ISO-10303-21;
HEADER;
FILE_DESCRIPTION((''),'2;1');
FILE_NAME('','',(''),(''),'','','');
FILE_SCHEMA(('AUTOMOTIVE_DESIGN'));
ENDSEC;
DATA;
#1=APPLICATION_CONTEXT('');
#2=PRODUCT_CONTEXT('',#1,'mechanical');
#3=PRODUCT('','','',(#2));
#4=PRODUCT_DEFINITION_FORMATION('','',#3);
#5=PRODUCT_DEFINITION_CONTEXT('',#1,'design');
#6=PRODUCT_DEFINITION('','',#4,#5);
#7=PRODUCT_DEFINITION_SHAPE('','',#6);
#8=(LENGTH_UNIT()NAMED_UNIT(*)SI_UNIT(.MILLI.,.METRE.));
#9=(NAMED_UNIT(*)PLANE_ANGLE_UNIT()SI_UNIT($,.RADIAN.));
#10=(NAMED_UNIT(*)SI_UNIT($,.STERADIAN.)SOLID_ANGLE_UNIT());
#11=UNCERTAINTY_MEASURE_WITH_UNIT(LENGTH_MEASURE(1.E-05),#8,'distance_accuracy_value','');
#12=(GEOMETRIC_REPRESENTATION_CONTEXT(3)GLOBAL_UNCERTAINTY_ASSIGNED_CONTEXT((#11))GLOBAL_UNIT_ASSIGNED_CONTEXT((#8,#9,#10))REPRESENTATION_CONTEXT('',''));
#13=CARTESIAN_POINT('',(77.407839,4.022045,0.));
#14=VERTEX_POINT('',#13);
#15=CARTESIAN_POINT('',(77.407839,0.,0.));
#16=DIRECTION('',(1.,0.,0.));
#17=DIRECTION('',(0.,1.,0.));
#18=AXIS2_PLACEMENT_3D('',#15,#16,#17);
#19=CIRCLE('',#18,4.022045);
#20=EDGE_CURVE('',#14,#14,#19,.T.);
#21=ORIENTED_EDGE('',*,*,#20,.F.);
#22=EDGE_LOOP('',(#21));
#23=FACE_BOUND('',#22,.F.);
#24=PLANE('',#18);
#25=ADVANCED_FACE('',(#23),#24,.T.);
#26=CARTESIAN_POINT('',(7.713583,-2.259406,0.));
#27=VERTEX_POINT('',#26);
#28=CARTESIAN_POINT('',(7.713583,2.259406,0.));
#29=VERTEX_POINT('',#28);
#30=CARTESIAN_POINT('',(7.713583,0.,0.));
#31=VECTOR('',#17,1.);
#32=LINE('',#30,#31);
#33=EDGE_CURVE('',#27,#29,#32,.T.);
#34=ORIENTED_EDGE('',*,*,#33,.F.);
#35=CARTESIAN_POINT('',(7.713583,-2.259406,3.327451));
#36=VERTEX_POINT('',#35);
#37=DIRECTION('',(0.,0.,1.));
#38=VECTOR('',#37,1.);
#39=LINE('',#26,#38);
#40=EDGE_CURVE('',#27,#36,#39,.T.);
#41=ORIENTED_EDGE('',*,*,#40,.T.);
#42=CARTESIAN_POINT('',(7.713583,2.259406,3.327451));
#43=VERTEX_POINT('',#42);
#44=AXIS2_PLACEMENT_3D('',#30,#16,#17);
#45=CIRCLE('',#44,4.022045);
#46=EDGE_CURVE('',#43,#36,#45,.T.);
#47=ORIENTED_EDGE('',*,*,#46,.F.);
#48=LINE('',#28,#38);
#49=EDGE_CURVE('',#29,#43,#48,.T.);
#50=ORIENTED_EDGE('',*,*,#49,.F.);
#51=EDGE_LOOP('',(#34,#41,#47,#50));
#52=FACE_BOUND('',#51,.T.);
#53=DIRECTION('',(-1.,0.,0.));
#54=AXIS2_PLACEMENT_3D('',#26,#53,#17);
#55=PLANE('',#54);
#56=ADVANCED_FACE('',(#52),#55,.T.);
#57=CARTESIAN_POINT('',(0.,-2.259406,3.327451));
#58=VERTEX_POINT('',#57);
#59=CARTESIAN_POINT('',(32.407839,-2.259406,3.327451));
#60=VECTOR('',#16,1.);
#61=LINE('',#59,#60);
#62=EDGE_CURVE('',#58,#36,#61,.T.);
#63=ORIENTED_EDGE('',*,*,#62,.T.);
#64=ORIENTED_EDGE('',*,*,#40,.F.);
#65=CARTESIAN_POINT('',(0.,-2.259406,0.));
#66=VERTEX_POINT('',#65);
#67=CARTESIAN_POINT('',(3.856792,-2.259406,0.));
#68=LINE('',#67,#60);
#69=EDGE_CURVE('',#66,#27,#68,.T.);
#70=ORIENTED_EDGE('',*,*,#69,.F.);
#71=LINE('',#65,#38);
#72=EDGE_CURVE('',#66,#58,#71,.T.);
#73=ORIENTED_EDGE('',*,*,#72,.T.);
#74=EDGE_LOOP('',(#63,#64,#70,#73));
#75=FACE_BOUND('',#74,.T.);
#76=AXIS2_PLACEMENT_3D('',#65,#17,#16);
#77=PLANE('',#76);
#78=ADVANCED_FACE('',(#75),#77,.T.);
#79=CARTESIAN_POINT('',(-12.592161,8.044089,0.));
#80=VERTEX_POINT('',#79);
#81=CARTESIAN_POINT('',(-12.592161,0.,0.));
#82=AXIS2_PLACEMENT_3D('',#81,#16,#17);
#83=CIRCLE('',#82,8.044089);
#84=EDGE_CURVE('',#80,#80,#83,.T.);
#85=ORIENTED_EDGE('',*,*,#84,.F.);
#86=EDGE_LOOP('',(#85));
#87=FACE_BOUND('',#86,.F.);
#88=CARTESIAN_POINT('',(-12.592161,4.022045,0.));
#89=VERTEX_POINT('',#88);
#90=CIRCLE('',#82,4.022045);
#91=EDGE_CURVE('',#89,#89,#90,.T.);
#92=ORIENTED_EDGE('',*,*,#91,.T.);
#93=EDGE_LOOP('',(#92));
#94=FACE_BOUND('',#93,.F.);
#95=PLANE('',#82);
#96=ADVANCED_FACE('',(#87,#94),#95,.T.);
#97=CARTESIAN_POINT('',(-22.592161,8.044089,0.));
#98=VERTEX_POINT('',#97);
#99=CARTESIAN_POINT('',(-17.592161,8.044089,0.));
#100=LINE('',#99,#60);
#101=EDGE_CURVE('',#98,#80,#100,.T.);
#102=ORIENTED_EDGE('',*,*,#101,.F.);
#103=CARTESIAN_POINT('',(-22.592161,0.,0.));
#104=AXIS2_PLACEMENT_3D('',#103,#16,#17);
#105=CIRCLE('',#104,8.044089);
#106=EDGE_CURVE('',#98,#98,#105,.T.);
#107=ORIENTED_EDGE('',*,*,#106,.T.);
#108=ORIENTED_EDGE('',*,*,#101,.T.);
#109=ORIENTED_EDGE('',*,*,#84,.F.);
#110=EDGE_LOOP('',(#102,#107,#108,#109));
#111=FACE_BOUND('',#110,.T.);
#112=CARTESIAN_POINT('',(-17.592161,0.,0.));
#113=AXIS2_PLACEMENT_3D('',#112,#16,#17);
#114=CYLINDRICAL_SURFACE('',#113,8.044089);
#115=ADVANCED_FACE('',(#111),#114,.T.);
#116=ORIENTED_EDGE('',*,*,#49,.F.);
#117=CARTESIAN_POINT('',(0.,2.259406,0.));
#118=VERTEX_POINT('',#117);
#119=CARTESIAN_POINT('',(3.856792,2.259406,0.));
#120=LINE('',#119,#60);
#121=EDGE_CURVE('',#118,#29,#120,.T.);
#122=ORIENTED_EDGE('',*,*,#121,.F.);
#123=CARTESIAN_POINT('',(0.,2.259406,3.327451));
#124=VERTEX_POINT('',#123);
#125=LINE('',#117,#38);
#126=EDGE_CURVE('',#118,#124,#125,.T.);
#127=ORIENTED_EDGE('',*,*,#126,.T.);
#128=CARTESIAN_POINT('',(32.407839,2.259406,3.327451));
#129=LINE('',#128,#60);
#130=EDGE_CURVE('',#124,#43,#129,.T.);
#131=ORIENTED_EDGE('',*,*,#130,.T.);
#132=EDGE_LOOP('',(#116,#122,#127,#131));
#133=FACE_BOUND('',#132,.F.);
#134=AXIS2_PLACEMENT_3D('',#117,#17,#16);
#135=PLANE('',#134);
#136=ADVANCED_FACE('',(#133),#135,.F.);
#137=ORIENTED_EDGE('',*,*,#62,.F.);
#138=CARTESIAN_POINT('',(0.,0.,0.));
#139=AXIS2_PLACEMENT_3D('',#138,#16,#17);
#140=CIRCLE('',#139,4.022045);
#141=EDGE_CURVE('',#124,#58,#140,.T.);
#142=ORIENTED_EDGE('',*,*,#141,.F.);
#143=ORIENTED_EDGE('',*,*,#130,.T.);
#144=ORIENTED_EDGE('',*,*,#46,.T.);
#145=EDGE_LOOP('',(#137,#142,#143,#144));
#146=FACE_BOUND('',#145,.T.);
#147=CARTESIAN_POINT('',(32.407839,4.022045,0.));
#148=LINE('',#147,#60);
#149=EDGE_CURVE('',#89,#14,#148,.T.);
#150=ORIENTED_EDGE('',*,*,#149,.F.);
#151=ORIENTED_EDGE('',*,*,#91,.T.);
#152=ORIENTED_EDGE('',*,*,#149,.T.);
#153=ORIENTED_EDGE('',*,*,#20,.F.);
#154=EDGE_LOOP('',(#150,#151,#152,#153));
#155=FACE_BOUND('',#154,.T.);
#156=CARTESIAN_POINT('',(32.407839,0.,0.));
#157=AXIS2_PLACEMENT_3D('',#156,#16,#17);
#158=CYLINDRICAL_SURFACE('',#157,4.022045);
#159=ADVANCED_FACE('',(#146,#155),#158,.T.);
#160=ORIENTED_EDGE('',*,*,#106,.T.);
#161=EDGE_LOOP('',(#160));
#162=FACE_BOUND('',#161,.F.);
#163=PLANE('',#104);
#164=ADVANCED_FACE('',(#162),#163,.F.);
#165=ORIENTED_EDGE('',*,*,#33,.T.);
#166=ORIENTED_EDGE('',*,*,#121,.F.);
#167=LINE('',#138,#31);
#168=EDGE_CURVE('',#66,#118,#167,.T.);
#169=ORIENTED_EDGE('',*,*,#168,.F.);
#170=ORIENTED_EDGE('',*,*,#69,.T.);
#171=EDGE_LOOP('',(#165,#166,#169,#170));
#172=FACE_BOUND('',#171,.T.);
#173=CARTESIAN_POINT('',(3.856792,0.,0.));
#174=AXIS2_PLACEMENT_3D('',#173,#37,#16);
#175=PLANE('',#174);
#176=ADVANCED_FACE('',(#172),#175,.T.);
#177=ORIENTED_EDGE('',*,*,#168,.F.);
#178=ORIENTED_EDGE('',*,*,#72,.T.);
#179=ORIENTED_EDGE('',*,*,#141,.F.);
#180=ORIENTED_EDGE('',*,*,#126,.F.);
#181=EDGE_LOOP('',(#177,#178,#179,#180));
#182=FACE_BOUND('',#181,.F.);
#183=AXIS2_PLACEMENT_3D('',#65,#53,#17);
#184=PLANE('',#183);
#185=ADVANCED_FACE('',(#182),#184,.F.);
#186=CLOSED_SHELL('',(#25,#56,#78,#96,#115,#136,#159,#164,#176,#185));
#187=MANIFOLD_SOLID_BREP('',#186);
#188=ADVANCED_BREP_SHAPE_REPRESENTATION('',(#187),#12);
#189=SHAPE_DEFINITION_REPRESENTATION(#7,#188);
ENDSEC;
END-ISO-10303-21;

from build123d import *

# Parameters (mm, degrees)
F0_W     = 10
F0_H     = 4.0220445953
F0_W_2   = 90
F2_W     = 7.713583298
F2_H     = 4.518811591
F3_DEPTH = 10


with BuildPart() as f1:
    # F0 (on Top) → F1 (revolve)
    with BuildSketch(Plane.XY):
        with Locations((-17.5921608508, 6.033066893)):
            Rectangle(F0_W, F0_H)
        with Locations((-17.5921608508, 2.0110222977)):
            Rectangle(F0_W, F0_H)
        with Locations((32.4078391492, 2.0110222977)):
            Rectangle(F0_W_2, F0_H)
    revolve(axis=Axis((14.6210342646, 0, 0), (1, 0, 0)))

    # F2 (on Top) → F3 (cut)
    with BuildSketch(Plane.XY):
        with Locations((3.856791649, 0)):
            Rectangle(F2_W, F2_H)
    extrude(amount=F3_DEPTH, mode=Mode.SUBTRACT)


solid = f1.part
